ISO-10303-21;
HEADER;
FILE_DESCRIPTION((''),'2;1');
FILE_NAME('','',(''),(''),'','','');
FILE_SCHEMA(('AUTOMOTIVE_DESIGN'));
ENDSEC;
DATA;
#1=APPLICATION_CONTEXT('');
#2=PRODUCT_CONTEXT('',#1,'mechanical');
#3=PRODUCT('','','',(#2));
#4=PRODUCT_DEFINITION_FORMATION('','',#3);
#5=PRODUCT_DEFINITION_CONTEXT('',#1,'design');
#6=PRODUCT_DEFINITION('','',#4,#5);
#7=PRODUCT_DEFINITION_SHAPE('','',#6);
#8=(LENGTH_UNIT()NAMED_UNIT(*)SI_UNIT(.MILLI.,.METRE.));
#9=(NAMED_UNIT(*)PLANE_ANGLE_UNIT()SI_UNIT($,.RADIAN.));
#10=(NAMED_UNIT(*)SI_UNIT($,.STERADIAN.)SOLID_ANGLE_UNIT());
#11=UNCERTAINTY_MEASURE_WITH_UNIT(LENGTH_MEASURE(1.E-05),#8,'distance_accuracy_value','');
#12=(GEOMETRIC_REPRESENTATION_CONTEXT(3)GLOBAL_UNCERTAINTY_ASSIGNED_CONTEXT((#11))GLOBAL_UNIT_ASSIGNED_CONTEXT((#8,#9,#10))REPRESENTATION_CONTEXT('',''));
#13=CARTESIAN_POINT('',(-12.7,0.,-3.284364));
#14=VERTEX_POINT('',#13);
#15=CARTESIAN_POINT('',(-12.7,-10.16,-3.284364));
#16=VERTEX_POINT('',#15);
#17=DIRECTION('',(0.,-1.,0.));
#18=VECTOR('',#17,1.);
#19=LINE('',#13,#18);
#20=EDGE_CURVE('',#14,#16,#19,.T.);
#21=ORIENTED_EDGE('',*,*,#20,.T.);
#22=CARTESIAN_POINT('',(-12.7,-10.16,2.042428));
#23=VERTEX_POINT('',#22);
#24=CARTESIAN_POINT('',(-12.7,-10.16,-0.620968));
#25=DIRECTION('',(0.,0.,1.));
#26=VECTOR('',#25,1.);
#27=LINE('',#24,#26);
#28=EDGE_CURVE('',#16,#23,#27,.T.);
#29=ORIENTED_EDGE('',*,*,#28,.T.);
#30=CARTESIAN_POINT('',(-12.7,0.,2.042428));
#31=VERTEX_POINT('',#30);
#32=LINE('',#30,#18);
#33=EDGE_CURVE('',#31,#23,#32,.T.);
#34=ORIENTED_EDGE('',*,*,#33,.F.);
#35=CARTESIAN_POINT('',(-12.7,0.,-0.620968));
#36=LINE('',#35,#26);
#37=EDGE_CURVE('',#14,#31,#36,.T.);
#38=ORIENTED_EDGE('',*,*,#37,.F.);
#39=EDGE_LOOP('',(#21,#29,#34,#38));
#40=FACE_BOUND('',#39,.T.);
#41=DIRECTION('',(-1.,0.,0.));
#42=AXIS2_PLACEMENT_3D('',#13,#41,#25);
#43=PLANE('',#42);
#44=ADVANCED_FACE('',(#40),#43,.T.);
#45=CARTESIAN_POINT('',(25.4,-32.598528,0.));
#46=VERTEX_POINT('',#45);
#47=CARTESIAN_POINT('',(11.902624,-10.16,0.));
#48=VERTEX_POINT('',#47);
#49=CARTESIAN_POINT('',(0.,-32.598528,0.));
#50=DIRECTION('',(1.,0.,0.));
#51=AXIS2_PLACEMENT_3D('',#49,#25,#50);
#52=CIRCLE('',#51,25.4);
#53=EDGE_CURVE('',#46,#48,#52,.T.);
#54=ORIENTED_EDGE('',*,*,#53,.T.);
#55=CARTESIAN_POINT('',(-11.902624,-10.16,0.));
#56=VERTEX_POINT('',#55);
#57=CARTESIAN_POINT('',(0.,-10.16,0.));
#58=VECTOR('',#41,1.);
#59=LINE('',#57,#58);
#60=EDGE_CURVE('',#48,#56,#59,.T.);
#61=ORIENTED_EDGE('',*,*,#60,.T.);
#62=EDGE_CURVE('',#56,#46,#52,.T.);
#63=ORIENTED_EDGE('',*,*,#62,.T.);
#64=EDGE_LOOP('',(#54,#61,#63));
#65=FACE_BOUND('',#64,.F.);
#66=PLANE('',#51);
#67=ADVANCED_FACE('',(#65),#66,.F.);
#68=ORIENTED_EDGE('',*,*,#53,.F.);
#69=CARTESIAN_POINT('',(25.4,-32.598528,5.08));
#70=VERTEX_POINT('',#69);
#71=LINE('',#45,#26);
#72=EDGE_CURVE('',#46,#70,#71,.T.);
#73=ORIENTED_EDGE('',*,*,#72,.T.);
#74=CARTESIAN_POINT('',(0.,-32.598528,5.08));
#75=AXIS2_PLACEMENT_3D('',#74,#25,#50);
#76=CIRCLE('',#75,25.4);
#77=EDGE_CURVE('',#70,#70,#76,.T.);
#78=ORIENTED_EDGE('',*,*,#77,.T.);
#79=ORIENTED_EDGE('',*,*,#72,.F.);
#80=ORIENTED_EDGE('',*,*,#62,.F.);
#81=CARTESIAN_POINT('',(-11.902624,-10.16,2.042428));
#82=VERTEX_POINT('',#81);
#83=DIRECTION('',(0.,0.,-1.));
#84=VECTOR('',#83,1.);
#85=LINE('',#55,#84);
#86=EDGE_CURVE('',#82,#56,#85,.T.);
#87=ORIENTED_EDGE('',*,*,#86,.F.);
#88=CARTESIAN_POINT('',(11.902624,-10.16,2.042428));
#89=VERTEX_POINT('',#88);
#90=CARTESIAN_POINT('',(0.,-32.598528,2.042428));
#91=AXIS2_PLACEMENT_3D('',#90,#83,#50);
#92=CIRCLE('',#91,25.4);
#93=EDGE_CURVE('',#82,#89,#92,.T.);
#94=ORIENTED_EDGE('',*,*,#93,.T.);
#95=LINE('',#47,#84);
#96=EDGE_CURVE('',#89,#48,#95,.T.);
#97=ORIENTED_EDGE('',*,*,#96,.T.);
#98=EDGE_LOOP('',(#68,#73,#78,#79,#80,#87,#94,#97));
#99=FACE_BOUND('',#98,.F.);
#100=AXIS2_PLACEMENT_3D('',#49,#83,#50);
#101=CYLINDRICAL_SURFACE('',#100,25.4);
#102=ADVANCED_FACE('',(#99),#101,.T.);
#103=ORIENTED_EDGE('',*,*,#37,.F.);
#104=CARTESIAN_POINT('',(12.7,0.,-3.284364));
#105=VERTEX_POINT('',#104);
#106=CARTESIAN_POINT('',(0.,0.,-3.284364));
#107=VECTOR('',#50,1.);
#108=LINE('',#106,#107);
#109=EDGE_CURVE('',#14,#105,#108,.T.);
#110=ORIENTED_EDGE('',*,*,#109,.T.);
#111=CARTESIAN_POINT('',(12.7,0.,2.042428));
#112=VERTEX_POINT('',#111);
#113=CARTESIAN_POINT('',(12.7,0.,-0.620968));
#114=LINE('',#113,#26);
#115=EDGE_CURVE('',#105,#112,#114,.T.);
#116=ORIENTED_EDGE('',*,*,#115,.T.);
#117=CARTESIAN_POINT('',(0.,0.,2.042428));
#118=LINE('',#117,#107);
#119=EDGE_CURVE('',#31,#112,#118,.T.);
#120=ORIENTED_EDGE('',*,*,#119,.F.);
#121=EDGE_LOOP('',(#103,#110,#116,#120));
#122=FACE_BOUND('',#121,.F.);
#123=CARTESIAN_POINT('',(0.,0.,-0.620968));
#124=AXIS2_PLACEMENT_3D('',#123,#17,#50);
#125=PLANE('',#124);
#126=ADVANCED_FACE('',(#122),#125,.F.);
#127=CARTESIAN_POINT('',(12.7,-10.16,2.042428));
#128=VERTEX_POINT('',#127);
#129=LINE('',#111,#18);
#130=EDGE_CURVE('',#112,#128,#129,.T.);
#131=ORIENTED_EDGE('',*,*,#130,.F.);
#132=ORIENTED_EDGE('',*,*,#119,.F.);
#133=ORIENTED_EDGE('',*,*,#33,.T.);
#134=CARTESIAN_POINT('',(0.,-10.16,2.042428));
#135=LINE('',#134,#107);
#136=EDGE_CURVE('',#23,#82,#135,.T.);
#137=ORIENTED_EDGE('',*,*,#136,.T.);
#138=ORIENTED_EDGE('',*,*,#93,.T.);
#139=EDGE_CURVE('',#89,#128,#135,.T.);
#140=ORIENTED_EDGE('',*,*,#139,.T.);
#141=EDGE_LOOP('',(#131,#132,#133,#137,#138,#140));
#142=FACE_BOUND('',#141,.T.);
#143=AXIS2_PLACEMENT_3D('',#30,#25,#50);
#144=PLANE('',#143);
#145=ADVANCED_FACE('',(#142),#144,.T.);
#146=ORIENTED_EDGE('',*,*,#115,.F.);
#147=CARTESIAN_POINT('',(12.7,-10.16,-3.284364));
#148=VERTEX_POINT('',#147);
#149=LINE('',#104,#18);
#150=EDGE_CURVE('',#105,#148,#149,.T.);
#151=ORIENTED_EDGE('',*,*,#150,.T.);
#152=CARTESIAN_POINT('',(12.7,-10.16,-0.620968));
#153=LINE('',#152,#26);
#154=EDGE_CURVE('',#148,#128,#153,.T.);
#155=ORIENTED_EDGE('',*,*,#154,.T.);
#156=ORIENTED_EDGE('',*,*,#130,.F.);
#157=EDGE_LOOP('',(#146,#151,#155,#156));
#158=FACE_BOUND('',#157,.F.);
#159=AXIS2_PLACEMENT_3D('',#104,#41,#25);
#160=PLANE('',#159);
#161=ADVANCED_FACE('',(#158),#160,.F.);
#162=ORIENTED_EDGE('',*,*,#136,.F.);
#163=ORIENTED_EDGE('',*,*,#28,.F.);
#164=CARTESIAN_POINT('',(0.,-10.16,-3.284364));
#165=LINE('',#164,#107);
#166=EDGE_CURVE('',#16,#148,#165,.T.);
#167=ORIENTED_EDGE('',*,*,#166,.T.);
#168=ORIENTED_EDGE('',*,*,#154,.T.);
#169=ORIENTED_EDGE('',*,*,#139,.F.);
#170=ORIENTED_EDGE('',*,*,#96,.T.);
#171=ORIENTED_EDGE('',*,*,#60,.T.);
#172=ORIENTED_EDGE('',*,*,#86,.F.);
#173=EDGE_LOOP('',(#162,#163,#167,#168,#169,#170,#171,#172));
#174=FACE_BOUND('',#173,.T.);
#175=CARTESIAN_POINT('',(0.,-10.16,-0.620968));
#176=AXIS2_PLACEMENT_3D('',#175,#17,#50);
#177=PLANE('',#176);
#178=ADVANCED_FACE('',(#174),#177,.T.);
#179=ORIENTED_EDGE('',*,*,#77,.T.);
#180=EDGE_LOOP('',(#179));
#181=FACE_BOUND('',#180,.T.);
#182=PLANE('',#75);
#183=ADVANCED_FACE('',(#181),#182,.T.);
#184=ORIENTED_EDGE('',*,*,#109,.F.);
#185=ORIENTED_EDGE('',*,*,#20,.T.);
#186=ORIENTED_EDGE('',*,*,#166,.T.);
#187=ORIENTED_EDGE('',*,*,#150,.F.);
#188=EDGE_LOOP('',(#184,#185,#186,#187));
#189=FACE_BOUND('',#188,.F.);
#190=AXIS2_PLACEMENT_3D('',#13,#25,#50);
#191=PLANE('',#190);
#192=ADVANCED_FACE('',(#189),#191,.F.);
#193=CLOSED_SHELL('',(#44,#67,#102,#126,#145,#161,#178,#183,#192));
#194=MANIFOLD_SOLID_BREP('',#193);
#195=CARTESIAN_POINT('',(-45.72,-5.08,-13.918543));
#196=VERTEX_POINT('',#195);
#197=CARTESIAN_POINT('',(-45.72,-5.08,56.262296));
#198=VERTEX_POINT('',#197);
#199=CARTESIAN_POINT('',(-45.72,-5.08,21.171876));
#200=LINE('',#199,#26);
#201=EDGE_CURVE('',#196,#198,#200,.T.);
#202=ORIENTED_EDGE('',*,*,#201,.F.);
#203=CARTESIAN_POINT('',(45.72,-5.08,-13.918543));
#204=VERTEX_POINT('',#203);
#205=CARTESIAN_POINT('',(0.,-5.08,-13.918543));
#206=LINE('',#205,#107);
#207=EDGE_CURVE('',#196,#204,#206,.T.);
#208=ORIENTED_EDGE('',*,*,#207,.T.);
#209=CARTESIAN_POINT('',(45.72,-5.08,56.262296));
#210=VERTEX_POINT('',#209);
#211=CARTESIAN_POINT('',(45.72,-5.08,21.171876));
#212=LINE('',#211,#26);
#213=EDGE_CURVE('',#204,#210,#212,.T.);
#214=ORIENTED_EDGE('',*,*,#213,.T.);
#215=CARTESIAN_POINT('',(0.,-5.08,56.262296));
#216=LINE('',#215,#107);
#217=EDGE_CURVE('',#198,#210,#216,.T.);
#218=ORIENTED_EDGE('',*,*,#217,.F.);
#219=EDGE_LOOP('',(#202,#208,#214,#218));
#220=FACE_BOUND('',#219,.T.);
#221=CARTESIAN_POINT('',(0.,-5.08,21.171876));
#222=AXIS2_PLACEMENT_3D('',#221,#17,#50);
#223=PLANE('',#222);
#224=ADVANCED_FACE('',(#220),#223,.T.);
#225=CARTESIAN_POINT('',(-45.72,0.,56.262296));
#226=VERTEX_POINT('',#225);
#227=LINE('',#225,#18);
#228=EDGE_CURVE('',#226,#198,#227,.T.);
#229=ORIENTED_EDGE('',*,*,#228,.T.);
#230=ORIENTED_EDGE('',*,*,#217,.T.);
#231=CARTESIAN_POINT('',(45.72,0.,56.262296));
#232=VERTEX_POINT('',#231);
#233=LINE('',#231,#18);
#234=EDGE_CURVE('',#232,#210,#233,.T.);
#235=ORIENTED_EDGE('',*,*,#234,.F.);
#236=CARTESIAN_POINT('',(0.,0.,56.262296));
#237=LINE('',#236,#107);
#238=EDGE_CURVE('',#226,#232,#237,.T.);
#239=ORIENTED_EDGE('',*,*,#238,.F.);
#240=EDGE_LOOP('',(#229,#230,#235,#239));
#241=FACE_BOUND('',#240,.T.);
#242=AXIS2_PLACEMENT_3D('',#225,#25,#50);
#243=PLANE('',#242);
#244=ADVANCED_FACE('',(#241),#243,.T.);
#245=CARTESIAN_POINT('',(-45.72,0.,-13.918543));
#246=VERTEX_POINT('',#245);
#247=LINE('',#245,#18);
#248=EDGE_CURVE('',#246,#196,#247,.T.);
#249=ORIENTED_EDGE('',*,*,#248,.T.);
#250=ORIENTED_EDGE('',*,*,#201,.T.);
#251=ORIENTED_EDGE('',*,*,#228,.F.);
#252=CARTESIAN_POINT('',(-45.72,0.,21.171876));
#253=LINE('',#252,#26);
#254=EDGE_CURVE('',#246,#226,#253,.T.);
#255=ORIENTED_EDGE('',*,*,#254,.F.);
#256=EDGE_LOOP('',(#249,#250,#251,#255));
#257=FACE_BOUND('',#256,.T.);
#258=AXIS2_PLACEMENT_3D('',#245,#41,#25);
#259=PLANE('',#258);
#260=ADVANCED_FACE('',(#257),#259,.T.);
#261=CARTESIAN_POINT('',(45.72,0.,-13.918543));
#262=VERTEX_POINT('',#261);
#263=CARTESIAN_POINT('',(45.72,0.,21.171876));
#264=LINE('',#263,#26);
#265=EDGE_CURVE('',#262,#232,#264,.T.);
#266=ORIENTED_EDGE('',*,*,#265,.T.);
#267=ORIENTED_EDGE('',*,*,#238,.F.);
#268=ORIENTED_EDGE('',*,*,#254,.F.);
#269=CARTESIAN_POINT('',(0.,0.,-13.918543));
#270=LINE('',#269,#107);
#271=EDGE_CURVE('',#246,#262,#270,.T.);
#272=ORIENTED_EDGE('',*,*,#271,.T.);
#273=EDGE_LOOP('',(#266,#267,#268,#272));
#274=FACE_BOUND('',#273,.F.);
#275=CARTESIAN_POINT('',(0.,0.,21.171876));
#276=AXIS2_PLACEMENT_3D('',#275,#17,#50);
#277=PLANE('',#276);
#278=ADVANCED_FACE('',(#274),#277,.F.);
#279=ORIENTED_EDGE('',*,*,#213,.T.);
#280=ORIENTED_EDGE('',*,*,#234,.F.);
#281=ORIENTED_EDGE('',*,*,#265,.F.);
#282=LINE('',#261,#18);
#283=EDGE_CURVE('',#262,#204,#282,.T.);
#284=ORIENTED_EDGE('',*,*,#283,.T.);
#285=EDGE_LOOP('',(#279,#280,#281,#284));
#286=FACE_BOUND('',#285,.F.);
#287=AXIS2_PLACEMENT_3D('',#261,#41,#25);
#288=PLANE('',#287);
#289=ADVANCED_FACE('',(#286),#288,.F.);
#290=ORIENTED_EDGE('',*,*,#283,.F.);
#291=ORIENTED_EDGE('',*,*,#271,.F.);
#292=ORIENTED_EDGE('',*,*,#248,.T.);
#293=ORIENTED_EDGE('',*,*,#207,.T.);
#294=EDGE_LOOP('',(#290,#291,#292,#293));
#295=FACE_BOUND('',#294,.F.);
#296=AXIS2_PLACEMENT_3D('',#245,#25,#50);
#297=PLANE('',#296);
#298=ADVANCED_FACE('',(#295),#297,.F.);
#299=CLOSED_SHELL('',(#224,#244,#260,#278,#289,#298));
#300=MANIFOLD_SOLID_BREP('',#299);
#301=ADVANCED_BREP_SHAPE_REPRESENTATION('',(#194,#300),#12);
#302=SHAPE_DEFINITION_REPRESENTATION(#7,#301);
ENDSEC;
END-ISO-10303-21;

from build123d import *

# Parameters (mm, degrees)
F0_W     = 91.44
F0_H     = 70.1808394187
F1_DEPTH = 5.08
F2_W     = 25.4
F2_H     = 5.3267918489
F3_DEPTH = 10.16
F4_R     = 25.4
F5_DEPTH = 5.08
F7_DEPTH = 5.08


with BuildPart() as f1:
    # F0 (on Front) → F1 (new body)
    with BuildSketch(Plane.XZ):
        with Locations((0, 21.1718762293)):
            Rectangle(F0_W, F0_H)
    extrude(amount=F1_DEPTH)

    # F6 (on Top) → F7 (cut)
    with BuildSketch(Plane.XY):
        with BuildLine():
            ThreePointArc((21.8690727222, -32.5756610837), (15.4637696201, -17.1118914636), (0, -10.7065883615))
            Line((0, -10.7065883615), (0, -32.5756610837))
            Line((0, -32.5756610837), (0, -54.4447338059))
            ThreePointArc((0, -54.4447338059), (15.4637696201, -48.0394307038), (21.8690727222, -32.5756610837))
        make_face()
        with BuildLine():
            Line((0, -32.5756610837), (0, -10.7065883615))
            ThreePointArc((0, -10.7065883615), (-21.8690727222, -32.5756610837), (0, -54.4447338059))
            Line((0, -54.4447338059), (0, -32.5756610837))
        make_face()
    extrude(amount=-F7_DEPTH, mode=Mode.SUBTRACT)


with BuildPart() as f3:
    # F2 (on Front) → F3 (new body)
    with BuildSketch(Plane.XZ):
        with Locations((0, -0.6209677085)):
            Rectangle(F2_W, F2_H)
    extrude(amount=F3_DEPTH)

    # F4 (on Top) → F5 (join)
    with BuildSketch(Plane.XY):
        with Locations((0, -32.5985281384)):
            Circle(F4_R)
    extrude(amount=F5_DEPTH)


solid = Compound([f1.part, f3.part])
